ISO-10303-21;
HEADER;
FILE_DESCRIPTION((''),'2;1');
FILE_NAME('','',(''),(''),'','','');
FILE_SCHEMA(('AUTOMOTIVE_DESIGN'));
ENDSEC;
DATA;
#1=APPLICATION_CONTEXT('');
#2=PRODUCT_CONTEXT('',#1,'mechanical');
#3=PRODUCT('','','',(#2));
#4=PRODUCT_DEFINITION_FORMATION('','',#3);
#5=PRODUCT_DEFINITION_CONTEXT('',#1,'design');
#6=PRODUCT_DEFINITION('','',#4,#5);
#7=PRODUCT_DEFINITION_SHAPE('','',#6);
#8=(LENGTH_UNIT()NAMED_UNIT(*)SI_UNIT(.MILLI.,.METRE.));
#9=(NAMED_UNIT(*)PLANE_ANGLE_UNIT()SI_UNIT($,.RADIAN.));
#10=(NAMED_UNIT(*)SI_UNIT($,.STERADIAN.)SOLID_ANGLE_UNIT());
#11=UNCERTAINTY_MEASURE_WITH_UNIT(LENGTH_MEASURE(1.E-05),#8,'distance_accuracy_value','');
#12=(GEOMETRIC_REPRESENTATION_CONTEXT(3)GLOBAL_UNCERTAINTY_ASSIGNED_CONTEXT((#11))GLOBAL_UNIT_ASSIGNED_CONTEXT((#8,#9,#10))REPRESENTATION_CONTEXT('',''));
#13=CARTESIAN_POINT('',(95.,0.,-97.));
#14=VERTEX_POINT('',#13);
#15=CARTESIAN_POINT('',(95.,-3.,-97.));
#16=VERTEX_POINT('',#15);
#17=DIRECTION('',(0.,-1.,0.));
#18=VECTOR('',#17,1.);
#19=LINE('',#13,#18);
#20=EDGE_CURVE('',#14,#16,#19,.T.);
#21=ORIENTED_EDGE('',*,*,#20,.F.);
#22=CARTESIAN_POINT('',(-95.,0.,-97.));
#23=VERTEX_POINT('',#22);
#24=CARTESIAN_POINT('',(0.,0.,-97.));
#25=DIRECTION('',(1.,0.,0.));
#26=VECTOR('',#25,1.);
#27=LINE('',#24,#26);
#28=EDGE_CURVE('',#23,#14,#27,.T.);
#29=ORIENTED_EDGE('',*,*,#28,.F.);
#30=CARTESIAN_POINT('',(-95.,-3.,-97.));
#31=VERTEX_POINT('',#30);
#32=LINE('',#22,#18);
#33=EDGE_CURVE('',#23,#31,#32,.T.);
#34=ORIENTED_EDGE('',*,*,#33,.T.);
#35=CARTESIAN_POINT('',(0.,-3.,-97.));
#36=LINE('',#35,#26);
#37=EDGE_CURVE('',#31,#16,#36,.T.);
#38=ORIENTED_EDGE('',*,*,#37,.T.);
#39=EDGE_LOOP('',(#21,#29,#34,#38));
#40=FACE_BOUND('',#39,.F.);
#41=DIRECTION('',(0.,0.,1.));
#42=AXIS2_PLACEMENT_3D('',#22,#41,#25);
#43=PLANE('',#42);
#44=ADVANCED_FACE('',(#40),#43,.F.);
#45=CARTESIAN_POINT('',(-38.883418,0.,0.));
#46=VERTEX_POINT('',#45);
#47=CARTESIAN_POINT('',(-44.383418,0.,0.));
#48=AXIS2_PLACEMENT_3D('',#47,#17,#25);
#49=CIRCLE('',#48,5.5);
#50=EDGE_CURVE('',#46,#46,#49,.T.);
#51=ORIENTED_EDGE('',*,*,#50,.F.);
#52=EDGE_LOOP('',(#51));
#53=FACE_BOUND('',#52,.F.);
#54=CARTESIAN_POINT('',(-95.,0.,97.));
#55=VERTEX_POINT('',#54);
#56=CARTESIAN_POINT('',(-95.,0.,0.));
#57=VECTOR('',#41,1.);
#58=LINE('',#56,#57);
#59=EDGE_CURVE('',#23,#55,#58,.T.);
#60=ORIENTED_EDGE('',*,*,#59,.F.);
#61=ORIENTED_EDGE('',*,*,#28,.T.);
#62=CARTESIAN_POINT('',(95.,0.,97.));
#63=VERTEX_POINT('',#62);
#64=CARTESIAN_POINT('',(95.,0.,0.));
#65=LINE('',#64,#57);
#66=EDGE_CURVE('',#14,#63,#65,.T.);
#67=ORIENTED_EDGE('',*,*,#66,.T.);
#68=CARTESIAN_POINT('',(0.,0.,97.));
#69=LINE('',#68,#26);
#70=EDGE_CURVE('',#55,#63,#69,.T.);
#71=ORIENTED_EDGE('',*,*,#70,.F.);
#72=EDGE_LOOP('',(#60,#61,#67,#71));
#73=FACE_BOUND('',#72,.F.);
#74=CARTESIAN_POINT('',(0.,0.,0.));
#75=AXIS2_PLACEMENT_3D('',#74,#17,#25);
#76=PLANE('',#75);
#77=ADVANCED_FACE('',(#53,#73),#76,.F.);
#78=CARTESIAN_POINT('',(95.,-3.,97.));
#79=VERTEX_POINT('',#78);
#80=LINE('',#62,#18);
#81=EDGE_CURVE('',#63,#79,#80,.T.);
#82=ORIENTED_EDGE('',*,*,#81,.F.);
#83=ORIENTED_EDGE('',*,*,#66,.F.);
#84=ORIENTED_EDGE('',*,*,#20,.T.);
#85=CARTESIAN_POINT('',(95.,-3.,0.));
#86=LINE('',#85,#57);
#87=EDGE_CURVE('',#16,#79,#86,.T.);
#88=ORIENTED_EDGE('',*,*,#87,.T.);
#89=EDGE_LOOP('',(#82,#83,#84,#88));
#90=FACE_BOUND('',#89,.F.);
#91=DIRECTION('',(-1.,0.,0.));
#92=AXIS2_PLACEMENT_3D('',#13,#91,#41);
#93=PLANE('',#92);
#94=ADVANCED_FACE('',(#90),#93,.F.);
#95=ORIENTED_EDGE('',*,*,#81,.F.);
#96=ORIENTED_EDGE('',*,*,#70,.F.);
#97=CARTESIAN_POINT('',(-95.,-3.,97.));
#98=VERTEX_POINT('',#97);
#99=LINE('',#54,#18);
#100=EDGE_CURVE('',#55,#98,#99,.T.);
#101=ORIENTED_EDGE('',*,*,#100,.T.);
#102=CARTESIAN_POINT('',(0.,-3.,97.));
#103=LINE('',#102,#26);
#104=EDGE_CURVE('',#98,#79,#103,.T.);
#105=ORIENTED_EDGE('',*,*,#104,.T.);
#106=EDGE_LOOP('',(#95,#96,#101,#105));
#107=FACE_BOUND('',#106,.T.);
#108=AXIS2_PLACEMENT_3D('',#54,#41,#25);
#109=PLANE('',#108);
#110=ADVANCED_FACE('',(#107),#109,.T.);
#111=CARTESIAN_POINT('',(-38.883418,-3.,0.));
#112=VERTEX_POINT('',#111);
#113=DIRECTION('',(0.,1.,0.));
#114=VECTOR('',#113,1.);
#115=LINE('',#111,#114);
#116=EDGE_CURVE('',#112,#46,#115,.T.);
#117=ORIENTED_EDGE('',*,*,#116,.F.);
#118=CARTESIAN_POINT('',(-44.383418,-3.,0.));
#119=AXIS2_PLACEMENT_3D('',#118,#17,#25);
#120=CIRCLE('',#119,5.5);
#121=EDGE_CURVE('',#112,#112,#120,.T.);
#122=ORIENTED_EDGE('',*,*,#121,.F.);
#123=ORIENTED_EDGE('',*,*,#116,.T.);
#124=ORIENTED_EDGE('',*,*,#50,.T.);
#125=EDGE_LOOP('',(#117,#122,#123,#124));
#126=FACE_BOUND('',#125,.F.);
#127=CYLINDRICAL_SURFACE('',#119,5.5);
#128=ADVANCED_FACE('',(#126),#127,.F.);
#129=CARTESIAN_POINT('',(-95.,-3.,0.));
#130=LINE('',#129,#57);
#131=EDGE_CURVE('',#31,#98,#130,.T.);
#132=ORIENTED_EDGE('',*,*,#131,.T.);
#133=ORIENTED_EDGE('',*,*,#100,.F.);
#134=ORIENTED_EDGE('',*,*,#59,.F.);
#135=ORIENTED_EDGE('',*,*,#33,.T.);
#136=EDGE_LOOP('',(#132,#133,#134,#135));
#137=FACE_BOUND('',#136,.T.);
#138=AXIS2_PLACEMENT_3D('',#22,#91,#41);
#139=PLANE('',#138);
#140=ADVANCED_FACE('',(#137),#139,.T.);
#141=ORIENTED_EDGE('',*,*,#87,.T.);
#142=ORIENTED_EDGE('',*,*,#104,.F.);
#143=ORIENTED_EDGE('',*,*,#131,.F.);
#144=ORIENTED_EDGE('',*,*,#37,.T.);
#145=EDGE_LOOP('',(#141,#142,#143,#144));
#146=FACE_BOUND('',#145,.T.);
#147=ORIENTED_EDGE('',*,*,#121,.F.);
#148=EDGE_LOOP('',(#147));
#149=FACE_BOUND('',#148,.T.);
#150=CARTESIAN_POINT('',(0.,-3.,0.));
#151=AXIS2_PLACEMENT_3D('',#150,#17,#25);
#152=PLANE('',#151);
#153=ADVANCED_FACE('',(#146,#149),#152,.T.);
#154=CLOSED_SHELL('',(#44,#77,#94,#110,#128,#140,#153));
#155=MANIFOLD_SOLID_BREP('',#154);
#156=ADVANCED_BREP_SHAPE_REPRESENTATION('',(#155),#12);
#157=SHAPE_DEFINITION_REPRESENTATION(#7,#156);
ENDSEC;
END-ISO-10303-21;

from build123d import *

# Parameters (mm, degrees)
F0_W     = 190
F0_H     = 194
F1_DEPTH = 3
F3_R     = 5.5
F4_DEPTH = 30


with BuildPart() as f1:
    # F0 (on Front) → F1 (new body)
    with BuildSketch(Plane.XZ):
        Rectangle(F0_W, F0_H)
    extrude(amount=F1_DEPTH)

    # F3 (on face) → F4 (cut)
    with BuildSketch(Plane.XZ.offset(3)):
        with Locations((-44.383418, 0)):
            Circle(F3_R)
    extrude(amount=-F4_DEPTH, mode=Mode.SUBTRACT)


solid = f1.part
